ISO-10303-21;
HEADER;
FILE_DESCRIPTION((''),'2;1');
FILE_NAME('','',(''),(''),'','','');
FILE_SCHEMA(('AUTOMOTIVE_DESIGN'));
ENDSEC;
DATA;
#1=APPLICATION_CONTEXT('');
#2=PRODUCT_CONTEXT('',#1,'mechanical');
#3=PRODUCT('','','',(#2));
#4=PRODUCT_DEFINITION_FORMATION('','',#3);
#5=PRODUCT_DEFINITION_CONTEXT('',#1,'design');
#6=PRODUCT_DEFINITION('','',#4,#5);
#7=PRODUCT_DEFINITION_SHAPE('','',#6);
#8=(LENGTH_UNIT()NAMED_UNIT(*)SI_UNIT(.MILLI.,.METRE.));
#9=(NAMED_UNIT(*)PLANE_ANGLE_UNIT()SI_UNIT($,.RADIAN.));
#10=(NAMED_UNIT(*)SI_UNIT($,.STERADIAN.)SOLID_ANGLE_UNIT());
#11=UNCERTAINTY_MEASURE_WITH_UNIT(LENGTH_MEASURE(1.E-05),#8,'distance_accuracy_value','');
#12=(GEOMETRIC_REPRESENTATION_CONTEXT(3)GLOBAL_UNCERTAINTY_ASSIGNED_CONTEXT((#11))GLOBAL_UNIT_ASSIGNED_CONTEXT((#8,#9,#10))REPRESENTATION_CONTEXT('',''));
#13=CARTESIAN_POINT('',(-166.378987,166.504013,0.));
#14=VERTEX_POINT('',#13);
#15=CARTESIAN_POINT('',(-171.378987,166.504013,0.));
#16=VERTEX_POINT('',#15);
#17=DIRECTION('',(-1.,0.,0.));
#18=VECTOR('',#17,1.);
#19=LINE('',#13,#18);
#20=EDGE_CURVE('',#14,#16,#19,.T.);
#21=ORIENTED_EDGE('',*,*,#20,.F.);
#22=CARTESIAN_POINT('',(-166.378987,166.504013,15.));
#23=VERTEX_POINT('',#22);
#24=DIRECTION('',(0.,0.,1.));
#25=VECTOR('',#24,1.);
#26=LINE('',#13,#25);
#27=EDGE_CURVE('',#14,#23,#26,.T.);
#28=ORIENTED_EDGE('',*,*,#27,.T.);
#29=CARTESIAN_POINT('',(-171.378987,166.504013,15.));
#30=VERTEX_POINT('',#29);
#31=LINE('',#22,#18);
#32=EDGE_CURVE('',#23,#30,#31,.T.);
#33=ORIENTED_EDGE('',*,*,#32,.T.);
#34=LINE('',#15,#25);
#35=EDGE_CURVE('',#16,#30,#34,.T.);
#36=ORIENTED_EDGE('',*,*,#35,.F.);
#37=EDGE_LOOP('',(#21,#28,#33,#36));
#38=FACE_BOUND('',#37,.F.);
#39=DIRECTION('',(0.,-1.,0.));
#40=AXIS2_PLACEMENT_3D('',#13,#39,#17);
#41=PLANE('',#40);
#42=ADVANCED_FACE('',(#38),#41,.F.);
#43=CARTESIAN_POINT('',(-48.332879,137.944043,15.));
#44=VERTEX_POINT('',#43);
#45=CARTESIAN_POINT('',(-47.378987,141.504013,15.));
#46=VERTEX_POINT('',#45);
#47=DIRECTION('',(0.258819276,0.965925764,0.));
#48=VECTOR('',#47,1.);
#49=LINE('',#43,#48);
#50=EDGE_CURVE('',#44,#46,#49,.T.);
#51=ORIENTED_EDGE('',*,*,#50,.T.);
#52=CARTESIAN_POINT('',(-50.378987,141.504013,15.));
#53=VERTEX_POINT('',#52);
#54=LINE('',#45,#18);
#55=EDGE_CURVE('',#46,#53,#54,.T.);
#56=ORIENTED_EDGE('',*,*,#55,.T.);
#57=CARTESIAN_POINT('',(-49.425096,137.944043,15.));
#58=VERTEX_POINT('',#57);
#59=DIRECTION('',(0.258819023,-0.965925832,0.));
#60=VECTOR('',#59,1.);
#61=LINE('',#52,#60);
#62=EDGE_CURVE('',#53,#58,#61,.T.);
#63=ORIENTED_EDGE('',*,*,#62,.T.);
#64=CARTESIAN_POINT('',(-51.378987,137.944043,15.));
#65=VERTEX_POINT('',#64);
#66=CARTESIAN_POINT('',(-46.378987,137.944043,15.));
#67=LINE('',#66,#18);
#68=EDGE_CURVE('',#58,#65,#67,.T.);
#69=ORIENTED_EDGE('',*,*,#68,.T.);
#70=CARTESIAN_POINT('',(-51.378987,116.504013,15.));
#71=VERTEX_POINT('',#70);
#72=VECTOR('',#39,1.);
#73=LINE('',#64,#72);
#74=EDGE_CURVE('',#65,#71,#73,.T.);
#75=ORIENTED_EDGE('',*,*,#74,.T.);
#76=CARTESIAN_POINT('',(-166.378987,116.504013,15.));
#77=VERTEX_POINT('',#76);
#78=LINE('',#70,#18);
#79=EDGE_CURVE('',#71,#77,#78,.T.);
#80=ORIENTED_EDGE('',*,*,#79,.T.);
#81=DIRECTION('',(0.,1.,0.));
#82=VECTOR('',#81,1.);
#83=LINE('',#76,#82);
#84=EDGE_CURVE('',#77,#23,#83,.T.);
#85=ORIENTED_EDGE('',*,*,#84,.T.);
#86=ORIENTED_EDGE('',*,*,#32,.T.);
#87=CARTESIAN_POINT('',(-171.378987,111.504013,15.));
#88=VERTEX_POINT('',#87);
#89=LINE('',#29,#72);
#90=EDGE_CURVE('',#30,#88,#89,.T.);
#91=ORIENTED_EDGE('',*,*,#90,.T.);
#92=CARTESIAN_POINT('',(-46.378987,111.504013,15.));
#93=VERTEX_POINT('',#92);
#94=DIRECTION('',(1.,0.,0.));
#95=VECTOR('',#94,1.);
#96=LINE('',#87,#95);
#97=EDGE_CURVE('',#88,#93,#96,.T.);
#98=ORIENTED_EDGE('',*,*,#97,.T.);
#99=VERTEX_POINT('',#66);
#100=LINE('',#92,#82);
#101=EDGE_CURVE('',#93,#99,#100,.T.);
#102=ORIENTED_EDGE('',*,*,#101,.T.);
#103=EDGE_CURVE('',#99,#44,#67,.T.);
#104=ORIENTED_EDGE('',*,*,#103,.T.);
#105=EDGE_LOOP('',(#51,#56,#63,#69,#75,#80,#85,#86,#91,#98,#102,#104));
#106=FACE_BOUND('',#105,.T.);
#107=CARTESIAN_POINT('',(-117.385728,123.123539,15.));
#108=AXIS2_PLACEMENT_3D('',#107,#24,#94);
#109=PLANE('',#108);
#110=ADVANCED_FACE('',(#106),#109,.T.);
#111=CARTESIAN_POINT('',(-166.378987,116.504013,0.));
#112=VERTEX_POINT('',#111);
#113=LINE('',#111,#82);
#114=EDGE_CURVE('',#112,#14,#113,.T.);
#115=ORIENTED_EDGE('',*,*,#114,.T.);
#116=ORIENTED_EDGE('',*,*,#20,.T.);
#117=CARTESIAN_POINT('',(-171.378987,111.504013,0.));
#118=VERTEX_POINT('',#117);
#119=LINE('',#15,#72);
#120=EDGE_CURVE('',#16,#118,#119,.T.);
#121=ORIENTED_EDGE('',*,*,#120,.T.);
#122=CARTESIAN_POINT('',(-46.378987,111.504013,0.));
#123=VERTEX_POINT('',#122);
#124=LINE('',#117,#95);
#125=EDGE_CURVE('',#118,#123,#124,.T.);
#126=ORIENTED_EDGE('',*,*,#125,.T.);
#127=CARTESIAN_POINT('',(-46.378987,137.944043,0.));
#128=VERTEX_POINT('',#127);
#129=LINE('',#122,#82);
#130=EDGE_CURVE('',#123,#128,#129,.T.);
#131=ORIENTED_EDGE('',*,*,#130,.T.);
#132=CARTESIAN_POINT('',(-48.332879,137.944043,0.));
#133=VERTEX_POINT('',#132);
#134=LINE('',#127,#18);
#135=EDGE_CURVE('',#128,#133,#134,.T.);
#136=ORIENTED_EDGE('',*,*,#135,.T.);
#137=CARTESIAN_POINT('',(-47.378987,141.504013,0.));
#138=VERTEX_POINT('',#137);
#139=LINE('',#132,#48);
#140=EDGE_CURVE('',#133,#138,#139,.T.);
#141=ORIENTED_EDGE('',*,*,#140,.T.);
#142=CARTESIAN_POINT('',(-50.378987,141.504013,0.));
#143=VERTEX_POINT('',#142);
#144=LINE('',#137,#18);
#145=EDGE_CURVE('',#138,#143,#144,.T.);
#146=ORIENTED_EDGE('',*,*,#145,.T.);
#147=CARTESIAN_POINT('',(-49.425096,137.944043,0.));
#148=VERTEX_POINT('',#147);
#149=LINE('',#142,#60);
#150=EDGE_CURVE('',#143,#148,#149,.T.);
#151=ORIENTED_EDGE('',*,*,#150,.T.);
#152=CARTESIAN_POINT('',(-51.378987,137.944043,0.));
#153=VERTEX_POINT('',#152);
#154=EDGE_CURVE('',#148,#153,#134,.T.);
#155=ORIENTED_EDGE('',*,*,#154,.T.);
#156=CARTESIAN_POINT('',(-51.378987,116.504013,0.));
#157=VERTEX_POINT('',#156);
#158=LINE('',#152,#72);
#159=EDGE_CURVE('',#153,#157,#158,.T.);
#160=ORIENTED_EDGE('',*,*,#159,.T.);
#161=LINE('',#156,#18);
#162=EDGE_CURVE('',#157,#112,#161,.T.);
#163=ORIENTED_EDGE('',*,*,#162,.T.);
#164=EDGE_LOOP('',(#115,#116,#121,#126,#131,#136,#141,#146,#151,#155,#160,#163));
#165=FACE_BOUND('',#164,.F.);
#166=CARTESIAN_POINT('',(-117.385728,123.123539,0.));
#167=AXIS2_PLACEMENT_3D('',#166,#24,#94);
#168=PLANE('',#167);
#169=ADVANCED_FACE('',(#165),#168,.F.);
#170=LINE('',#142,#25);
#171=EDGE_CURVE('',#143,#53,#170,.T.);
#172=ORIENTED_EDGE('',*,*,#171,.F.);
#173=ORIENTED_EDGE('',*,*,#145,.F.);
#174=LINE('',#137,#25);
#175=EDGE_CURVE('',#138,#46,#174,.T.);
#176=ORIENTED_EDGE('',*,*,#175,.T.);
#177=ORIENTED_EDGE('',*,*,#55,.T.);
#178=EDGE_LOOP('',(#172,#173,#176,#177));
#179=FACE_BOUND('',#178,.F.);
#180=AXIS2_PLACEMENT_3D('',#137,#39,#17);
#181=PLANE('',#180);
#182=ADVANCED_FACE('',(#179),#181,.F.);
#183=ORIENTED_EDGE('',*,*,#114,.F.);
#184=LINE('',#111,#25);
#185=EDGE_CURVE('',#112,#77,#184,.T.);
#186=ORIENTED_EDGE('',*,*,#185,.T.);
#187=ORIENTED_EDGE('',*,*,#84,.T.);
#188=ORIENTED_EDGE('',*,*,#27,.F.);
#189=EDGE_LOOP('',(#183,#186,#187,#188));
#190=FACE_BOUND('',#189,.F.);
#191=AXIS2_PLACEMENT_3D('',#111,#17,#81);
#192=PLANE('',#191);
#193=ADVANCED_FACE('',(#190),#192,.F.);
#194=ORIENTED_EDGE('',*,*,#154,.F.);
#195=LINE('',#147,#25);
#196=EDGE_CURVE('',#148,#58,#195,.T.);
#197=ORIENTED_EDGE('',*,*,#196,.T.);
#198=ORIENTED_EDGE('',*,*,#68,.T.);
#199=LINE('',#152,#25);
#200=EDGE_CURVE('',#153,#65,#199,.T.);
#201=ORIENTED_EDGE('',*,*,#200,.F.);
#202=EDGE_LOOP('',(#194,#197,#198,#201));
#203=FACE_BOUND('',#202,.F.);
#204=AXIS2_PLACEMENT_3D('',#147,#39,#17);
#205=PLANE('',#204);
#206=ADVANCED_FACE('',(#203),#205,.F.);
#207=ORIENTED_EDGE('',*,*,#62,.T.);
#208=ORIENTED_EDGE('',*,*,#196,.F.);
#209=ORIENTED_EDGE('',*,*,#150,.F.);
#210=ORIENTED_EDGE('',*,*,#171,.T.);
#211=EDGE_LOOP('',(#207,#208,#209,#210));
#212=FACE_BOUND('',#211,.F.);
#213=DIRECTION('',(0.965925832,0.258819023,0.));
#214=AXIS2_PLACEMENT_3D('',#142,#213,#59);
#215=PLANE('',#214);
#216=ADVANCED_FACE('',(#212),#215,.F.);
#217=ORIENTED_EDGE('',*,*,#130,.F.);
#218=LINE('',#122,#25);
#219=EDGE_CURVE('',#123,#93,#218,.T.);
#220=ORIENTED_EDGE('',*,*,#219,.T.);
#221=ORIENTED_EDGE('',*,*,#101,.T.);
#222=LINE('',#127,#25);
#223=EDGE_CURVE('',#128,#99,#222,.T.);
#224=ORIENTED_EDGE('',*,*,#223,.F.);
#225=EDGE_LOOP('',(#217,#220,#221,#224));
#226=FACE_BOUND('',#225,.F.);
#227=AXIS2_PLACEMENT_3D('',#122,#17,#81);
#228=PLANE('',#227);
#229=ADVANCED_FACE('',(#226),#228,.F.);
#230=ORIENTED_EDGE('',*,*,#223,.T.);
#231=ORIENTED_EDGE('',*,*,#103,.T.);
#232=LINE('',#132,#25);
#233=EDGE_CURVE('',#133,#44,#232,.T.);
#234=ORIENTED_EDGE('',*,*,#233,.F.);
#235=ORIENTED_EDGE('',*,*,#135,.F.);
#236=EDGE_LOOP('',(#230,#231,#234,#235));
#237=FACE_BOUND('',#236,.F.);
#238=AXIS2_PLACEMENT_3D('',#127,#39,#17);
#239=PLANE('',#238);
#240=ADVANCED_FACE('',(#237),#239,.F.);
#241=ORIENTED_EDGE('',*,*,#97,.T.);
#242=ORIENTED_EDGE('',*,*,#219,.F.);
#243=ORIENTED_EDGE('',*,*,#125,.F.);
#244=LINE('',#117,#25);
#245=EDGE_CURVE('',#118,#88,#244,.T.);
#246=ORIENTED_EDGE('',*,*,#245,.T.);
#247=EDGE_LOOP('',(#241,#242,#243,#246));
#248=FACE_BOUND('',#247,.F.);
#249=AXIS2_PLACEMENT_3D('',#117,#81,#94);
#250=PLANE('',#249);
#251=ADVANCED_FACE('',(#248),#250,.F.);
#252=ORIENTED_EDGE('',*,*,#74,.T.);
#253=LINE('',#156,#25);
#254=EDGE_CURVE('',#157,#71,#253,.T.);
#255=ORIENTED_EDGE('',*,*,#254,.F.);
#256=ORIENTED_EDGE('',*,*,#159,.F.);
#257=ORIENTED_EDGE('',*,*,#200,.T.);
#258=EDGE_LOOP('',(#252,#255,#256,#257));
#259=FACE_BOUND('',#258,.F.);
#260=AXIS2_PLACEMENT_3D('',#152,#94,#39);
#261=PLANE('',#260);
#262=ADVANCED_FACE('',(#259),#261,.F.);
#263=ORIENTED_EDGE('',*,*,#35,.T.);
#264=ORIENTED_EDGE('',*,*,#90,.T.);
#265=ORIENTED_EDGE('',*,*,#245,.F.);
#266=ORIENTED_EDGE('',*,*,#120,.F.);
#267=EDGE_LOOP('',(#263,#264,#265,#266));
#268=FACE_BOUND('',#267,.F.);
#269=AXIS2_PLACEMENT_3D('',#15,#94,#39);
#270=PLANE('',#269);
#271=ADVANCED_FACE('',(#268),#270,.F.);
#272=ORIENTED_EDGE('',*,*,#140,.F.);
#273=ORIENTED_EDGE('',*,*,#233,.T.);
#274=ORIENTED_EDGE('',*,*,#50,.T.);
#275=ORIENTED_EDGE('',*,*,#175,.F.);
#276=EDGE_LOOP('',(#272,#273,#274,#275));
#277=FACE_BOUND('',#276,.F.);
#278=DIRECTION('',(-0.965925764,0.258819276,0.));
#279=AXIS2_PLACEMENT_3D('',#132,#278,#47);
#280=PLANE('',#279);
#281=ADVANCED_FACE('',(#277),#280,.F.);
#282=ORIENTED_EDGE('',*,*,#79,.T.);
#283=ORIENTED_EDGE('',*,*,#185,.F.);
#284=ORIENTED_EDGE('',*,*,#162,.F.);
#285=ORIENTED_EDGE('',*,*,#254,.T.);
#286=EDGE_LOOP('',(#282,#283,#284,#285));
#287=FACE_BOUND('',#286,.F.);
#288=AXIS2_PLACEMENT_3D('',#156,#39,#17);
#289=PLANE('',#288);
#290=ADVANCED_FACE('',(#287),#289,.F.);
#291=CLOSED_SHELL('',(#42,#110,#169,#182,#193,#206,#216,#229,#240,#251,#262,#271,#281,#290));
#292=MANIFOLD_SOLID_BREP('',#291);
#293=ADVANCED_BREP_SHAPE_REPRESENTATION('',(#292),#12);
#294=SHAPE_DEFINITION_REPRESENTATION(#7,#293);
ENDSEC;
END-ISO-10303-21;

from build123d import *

# Parameters (mm, degrees)
F1_DEPTH = 15


with BuildPart() as f1:
    # F0 (on Top) → F1 (new body)
    with BuildSketch(Plane.XY):
        Polygon((-166.378987, 166.504013), (-171.378987, 166.504013), (-171.378987, 111.504013), (-46.378987, 111.504013), (-46.378987, 137.944043), (-48.332879, 137.944043), (-49.425096, 137.944043), (-51.378987, 137.944043), (-51.378987, 116.504013), (-166.378987, 116.504013), align=None)
        Polygon((-49.425096, 137.944043), (-48.332879, 137.944043), (-47.378987, 141.504013), (-50.378987, 141.504013), align=None)
    extrude(amount=F1_DEPTH)


solid = f1.part
